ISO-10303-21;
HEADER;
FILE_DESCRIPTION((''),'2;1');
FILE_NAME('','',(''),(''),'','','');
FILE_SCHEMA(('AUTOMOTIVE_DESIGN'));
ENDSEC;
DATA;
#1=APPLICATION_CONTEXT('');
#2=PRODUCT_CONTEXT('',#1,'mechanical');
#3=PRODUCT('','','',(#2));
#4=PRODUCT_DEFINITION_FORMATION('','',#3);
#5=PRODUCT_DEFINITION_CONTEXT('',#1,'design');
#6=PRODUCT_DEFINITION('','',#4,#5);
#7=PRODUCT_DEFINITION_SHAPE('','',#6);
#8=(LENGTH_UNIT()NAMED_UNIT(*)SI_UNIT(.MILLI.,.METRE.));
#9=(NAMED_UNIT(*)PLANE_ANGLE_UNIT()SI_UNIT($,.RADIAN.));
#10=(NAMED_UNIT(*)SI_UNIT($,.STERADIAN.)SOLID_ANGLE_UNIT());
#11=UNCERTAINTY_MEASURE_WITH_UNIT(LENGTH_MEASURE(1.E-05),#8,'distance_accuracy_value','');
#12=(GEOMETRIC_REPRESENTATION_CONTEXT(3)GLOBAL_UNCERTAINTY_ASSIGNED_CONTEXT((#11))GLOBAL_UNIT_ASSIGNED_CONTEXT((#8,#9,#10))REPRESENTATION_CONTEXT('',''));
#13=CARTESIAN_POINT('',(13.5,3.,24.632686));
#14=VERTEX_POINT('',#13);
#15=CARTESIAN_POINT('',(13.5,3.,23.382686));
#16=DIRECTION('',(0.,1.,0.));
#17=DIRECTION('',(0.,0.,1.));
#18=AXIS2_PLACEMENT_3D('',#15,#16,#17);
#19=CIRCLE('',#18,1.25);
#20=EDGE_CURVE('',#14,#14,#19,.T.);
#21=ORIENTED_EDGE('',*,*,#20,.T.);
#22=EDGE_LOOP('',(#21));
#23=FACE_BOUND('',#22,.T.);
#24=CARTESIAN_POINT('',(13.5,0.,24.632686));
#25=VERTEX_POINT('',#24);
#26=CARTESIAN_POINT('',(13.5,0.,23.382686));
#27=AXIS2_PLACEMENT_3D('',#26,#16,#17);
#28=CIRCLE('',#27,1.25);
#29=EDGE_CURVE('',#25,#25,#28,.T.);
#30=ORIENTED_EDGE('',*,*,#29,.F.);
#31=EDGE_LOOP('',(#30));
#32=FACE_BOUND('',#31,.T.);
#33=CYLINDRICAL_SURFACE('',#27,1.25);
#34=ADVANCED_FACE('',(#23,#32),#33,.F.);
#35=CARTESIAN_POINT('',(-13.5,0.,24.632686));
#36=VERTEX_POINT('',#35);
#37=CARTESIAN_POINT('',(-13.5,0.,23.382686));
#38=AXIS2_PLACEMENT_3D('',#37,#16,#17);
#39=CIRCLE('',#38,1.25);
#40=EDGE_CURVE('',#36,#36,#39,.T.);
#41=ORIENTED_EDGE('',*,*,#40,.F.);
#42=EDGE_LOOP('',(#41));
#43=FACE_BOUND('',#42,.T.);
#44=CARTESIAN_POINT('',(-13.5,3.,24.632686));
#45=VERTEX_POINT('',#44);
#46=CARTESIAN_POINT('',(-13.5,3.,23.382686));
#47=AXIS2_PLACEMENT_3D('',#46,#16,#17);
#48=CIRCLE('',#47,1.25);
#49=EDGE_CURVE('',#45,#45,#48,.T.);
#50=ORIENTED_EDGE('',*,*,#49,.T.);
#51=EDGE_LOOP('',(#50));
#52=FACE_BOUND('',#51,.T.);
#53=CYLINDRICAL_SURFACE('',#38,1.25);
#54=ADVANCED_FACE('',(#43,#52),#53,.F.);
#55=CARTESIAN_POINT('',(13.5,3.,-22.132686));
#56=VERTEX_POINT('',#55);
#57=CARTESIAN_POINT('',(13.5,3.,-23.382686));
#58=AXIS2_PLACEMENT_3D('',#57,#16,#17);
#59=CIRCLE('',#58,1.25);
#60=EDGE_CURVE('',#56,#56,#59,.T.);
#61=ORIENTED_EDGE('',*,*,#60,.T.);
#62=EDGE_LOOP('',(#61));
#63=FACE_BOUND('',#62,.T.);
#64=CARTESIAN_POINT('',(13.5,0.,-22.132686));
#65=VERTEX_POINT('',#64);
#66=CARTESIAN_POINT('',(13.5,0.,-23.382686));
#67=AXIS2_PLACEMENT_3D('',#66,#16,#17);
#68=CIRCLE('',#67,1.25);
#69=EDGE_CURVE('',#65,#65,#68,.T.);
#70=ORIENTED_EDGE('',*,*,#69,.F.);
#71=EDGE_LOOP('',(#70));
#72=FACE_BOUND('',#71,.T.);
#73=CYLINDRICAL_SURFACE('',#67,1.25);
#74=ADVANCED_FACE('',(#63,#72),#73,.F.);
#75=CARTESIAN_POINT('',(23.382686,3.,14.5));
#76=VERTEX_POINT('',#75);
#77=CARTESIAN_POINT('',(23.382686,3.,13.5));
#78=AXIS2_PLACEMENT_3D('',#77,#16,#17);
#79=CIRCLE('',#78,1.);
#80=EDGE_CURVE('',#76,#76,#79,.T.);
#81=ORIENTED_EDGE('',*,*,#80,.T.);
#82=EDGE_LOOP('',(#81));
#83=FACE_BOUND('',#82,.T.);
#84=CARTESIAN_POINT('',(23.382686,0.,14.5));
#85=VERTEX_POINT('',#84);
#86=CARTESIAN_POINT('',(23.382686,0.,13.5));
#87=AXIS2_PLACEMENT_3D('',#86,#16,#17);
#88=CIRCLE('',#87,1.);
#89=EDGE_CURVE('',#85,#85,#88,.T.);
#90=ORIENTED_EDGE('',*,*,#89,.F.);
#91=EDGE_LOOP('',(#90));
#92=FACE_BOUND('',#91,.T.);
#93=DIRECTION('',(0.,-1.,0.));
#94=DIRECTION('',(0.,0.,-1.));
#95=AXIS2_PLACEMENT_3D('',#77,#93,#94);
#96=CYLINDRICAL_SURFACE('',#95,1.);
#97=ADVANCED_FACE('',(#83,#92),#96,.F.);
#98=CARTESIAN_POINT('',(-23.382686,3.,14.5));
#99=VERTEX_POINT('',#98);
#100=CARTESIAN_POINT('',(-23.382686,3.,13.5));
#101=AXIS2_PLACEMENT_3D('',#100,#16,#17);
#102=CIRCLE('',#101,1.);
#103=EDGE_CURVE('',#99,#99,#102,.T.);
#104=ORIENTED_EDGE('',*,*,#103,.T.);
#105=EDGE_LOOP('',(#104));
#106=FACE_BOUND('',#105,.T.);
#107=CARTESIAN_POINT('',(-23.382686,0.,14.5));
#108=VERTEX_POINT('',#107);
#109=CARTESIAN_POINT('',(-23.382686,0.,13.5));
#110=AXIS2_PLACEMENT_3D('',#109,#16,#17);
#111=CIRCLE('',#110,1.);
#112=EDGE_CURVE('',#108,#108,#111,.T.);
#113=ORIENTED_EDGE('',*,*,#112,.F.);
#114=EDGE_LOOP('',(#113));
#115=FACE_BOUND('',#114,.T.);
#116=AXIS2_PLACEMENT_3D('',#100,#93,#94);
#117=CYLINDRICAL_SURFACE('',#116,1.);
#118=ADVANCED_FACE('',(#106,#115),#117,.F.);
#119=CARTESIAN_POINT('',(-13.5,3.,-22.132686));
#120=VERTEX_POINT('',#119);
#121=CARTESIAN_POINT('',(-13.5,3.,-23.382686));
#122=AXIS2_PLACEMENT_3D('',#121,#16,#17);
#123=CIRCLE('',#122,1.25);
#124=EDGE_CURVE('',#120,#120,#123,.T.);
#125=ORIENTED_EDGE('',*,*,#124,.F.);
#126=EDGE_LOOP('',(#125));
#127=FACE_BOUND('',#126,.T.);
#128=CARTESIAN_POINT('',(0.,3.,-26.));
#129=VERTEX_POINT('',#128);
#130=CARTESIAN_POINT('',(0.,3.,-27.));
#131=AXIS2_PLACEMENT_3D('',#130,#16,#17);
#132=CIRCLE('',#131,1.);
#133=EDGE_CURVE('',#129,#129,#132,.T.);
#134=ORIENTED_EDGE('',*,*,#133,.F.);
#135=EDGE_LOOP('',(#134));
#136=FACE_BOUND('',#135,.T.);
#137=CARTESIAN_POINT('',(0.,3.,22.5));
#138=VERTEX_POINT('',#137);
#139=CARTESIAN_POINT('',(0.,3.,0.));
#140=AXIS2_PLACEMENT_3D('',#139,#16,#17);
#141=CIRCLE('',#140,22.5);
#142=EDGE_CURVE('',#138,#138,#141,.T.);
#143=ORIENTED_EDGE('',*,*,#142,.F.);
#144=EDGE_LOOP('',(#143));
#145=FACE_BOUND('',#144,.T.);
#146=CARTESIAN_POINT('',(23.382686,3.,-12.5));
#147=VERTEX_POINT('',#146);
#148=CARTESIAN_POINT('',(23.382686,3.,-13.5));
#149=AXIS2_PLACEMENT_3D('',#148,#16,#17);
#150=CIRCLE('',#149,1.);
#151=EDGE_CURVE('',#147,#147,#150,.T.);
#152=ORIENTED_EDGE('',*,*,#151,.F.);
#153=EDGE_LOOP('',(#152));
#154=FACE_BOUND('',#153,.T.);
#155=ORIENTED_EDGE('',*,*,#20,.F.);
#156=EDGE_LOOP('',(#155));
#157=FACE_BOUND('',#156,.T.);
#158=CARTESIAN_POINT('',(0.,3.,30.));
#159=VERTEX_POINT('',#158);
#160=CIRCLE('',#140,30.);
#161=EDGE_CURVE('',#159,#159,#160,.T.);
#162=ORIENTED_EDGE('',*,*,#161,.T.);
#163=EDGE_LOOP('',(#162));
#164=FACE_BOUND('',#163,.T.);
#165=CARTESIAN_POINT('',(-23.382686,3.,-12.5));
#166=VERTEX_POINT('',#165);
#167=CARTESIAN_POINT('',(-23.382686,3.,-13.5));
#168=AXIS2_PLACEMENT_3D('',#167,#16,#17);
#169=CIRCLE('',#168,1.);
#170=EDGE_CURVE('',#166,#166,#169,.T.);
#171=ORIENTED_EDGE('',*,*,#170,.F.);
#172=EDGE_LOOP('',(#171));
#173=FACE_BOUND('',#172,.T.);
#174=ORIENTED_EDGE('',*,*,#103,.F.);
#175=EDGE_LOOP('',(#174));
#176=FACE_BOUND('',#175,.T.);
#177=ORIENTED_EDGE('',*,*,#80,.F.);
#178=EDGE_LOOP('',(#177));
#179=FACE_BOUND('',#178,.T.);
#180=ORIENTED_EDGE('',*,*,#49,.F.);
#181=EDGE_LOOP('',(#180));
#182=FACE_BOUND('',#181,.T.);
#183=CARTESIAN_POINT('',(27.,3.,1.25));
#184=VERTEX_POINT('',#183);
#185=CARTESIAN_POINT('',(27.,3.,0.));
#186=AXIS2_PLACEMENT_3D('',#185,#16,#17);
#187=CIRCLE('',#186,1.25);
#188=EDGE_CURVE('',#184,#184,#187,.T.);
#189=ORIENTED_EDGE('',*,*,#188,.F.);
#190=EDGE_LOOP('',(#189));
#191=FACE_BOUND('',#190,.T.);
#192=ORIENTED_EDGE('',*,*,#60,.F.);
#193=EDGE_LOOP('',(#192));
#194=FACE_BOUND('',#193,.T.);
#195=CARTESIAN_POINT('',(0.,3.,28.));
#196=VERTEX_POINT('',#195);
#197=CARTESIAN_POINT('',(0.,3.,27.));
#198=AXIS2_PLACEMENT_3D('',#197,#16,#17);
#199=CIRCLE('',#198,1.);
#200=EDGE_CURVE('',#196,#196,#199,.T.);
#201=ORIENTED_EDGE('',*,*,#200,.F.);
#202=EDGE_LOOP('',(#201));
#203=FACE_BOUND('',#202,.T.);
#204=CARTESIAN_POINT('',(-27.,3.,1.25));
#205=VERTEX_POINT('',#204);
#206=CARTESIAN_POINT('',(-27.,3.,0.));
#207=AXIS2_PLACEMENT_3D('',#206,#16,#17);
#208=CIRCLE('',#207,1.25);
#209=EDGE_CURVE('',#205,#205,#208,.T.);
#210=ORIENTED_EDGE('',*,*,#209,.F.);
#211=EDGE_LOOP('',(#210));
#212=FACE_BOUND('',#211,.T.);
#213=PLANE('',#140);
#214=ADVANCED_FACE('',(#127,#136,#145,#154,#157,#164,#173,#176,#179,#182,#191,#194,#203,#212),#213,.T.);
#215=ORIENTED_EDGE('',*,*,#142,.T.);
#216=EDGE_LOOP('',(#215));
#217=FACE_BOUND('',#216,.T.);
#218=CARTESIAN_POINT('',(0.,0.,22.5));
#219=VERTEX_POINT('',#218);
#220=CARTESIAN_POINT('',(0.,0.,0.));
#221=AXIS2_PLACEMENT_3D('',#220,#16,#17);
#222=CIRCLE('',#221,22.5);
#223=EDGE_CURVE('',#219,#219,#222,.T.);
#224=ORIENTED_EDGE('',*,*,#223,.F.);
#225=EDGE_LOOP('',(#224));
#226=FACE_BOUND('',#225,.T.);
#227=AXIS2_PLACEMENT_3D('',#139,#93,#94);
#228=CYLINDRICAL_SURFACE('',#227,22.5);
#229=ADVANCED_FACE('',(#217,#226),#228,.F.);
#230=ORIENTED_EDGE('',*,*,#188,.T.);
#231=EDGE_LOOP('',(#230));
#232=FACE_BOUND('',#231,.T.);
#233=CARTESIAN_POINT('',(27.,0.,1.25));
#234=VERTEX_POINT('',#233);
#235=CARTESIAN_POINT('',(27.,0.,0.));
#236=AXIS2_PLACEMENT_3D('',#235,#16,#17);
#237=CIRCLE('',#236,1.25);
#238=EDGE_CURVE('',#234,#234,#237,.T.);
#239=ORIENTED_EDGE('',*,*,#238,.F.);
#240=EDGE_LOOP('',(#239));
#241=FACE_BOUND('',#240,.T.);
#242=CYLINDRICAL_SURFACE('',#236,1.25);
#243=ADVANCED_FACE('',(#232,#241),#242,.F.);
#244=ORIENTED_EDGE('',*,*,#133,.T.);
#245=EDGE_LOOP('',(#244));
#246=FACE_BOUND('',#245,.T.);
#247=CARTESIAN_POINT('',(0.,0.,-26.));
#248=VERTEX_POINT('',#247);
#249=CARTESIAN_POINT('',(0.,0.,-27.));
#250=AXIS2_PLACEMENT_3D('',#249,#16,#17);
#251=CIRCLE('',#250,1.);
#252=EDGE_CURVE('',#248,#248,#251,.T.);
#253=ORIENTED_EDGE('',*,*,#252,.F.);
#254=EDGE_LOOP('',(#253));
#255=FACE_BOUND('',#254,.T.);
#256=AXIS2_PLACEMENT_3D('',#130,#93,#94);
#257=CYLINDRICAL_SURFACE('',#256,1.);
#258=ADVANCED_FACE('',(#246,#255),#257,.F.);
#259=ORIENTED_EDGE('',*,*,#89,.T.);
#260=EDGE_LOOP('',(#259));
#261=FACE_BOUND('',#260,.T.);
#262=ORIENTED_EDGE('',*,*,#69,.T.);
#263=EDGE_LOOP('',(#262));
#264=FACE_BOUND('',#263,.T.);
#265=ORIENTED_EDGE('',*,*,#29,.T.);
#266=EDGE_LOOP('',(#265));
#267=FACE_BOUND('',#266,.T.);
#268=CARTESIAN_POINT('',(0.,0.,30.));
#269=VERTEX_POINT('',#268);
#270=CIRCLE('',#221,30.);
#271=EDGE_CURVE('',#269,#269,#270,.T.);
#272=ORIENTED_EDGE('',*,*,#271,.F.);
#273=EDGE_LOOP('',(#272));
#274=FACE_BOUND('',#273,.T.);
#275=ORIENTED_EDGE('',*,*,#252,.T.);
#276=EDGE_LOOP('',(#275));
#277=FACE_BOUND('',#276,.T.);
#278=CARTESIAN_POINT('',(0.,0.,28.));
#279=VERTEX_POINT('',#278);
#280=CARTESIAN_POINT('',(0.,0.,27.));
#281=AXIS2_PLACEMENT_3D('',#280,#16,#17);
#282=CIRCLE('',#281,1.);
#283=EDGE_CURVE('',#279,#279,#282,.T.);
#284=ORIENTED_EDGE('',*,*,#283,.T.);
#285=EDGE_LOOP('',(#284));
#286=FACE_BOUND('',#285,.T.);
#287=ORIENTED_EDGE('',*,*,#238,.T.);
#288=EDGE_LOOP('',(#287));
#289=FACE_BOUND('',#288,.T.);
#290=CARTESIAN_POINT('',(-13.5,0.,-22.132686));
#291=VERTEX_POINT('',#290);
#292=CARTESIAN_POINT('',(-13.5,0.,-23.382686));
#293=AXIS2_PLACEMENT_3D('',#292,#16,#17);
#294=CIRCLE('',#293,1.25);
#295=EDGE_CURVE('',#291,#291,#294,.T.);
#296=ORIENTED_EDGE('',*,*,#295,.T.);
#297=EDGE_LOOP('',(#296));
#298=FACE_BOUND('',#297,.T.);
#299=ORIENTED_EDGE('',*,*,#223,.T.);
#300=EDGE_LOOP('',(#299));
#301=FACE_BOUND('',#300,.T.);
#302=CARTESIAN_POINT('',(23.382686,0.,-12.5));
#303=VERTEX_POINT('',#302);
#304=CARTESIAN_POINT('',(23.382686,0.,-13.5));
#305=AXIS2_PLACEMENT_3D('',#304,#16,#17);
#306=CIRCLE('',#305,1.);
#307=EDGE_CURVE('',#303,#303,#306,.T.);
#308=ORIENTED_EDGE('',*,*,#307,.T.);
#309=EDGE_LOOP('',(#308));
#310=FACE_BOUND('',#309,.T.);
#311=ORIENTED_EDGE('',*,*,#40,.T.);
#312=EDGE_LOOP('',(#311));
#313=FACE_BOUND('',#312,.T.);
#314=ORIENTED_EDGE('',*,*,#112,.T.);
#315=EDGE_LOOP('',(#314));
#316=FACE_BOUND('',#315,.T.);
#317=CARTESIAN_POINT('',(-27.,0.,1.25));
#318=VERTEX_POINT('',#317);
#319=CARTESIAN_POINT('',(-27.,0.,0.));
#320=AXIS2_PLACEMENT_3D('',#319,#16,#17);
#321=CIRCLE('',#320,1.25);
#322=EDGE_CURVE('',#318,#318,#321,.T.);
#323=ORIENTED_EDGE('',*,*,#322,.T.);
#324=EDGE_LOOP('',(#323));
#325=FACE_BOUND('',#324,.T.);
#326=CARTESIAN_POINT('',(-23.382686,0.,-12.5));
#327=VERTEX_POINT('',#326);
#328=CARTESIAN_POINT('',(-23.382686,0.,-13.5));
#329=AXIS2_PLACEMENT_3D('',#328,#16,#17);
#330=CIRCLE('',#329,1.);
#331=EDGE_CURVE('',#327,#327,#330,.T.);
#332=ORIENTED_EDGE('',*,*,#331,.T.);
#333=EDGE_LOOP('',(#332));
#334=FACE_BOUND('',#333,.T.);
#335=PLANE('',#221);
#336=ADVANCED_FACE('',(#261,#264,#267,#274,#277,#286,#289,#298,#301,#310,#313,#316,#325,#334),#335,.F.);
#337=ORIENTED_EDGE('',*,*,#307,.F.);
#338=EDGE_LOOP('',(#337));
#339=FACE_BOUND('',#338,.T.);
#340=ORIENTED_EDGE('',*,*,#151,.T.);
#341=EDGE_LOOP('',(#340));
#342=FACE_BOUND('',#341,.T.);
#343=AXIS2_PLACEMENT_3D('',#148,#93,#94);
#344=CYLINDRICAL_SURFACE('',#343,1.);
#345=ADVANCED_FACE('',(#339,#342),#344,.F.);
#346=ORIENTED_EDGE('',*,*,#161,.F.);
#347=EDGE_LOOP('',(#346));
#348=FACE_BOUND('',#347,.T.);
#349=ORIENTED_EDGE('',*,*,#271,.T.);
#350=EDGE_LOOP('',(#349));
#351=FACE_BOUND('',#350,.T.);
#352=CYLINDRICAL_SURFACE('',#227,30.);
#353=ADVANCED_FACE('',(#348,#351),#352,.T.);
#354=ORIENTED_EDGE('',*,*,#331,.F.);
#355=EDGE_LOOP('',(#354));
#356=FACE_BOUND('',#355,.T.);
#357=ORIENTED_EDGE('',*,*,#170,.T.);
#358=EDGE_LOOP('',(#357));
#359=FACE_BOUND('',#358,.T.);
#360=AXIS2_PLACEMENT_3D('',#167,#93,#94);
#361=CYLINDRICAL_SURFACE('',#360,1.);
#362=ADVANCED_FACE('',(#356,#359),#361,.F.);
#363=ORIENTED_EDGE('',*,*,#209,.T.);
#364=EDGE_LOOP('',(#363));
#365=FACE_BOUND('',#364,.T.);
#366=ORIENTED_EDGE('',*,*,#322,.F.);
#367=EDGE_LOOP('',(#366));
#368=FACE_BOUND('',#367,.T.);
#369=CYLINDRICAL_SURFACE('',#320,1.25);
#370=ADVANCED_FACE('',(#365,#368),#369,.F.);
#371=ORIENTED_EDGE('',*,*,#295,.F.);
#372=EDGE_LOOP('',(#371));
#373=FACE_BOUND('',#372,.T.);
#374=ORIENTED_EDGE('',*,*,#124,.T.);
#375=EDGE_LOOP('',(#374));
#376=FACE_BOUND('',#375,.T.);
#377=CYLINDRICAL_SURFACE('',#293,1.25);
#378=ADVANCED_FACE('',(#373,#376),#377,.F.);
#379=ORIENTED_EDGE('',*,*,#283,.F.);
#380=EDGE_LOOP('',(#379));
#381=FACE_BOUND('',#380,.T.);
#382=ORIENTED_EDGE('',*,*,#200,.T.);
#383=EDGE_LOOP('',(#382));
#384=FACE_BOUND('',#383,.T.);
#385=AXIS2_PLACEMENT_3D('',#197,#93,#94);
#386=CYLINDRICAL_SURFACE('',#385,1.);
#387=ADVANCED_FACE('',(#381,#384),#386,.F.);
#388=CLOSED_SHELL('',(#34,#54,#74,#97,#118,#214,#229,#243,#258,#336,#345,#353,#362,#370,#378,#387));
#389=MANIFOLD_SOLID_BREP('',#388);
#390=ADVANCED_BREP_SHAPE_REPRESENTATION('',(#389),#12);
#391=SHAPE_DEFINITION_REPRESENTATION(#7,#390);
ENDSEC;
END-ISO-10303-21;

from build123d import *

# Parameters (mm, degrees)
SKETCH1_R           = 30
SKETCH1_R_2         = 1
SKETCH1_R_3         = 22.5
BOSS_EXTRUDE1_DEPTH = 3
SKETCH3_R           = 1.25
CUT_EXTRUDE1_DEPTH  = 3


with BuildPart() as part:
    # Sketch1 → Boss-Extrude1 (new body)
    with BuildSketch(Plane(origin=(0, 0, 0), x_dir=(1, 0, 0), z_dir=(0, 1, 0))):
        with Locations(Location((0, 0, 0), (0, 0, 270))):
            Circle(SKETCH1_R)
        with Locations(Location((0, 27, 0), (0, 0, 270))):
            Circle(SKETCH1_R_2, mode=Mode.SUBTRACT)
        with Locations(Location((23.382685902, 13.5, 0), (0, 0, 270))):
            Circle(SKETCH1_R_2, mode=Mode.SUBTRACT)
        with Locations(Location((23.382685902, -13.5, 0), (0, 0, 270))):
            Circle(SKETCH1_R_2, mode=Mode.SUBTRACT)
        with Locations(Location((0, -27, 0), (0, 0, 270))):
            Circle(SKETCH1_R_2, mode=Mode.SUBTRACT)
        with Locations(Location((-23.382685902, -13.5, 0), (0, 0, 270))):
            Circle(SKETCH1_R_2, mode=Mode.SUBTRACT)
        with Locations(Location((-23.382685902, 13.5, 0), (0, 0, 270))):
            Circle(SKETCH1_R_2, mode=Mode.SUBTRACT)
        with Locations(Location((0, 0, 0), (0, 0, 270))):
            Circle(SKETCH1_R_3, mode=Mode.SUBTRACT)
    extrude(amount=BOSS_EXTRUDE1_DEPTH)

    # Sketch3 → Cut-Extrude1 (cut)
    with BuildSketch(Plane(origin=(0, 3, 0), x_dir=(1, 0, 0), z_dir=(0, 1, 0))):
        with Locations(Location((-13.5, 23.382685902, 0), (0, 0, 270))):
            Circle(SKETCH3_R)
        with Locations(Location((13.5, 23.382685902, 0), (0, 0, 270))):
            Circle(SKETCH3_R)
        with Locations(Location((27, 0, 0), (0, 0, 270))):
            Circle(SKETCH3_R)
        with Locations(Location((13.5, -23.382685902, 0), (0, 0, 270))):
            Circle(SKETCH3_R)
        with Locations(Location((-13.5, -23.382685902, 0), (0, 0, 270))):
            Circle(SKETCH3_R)
        with Locations(Location((-27, 0, 0), (0, 0, 270))):
            Circle(SKETCH3_R)
    extrude(amount=-CUT_EXTRUDE1_DEPTH, mode=Mode.SUBTRACT)


solid = part.part
